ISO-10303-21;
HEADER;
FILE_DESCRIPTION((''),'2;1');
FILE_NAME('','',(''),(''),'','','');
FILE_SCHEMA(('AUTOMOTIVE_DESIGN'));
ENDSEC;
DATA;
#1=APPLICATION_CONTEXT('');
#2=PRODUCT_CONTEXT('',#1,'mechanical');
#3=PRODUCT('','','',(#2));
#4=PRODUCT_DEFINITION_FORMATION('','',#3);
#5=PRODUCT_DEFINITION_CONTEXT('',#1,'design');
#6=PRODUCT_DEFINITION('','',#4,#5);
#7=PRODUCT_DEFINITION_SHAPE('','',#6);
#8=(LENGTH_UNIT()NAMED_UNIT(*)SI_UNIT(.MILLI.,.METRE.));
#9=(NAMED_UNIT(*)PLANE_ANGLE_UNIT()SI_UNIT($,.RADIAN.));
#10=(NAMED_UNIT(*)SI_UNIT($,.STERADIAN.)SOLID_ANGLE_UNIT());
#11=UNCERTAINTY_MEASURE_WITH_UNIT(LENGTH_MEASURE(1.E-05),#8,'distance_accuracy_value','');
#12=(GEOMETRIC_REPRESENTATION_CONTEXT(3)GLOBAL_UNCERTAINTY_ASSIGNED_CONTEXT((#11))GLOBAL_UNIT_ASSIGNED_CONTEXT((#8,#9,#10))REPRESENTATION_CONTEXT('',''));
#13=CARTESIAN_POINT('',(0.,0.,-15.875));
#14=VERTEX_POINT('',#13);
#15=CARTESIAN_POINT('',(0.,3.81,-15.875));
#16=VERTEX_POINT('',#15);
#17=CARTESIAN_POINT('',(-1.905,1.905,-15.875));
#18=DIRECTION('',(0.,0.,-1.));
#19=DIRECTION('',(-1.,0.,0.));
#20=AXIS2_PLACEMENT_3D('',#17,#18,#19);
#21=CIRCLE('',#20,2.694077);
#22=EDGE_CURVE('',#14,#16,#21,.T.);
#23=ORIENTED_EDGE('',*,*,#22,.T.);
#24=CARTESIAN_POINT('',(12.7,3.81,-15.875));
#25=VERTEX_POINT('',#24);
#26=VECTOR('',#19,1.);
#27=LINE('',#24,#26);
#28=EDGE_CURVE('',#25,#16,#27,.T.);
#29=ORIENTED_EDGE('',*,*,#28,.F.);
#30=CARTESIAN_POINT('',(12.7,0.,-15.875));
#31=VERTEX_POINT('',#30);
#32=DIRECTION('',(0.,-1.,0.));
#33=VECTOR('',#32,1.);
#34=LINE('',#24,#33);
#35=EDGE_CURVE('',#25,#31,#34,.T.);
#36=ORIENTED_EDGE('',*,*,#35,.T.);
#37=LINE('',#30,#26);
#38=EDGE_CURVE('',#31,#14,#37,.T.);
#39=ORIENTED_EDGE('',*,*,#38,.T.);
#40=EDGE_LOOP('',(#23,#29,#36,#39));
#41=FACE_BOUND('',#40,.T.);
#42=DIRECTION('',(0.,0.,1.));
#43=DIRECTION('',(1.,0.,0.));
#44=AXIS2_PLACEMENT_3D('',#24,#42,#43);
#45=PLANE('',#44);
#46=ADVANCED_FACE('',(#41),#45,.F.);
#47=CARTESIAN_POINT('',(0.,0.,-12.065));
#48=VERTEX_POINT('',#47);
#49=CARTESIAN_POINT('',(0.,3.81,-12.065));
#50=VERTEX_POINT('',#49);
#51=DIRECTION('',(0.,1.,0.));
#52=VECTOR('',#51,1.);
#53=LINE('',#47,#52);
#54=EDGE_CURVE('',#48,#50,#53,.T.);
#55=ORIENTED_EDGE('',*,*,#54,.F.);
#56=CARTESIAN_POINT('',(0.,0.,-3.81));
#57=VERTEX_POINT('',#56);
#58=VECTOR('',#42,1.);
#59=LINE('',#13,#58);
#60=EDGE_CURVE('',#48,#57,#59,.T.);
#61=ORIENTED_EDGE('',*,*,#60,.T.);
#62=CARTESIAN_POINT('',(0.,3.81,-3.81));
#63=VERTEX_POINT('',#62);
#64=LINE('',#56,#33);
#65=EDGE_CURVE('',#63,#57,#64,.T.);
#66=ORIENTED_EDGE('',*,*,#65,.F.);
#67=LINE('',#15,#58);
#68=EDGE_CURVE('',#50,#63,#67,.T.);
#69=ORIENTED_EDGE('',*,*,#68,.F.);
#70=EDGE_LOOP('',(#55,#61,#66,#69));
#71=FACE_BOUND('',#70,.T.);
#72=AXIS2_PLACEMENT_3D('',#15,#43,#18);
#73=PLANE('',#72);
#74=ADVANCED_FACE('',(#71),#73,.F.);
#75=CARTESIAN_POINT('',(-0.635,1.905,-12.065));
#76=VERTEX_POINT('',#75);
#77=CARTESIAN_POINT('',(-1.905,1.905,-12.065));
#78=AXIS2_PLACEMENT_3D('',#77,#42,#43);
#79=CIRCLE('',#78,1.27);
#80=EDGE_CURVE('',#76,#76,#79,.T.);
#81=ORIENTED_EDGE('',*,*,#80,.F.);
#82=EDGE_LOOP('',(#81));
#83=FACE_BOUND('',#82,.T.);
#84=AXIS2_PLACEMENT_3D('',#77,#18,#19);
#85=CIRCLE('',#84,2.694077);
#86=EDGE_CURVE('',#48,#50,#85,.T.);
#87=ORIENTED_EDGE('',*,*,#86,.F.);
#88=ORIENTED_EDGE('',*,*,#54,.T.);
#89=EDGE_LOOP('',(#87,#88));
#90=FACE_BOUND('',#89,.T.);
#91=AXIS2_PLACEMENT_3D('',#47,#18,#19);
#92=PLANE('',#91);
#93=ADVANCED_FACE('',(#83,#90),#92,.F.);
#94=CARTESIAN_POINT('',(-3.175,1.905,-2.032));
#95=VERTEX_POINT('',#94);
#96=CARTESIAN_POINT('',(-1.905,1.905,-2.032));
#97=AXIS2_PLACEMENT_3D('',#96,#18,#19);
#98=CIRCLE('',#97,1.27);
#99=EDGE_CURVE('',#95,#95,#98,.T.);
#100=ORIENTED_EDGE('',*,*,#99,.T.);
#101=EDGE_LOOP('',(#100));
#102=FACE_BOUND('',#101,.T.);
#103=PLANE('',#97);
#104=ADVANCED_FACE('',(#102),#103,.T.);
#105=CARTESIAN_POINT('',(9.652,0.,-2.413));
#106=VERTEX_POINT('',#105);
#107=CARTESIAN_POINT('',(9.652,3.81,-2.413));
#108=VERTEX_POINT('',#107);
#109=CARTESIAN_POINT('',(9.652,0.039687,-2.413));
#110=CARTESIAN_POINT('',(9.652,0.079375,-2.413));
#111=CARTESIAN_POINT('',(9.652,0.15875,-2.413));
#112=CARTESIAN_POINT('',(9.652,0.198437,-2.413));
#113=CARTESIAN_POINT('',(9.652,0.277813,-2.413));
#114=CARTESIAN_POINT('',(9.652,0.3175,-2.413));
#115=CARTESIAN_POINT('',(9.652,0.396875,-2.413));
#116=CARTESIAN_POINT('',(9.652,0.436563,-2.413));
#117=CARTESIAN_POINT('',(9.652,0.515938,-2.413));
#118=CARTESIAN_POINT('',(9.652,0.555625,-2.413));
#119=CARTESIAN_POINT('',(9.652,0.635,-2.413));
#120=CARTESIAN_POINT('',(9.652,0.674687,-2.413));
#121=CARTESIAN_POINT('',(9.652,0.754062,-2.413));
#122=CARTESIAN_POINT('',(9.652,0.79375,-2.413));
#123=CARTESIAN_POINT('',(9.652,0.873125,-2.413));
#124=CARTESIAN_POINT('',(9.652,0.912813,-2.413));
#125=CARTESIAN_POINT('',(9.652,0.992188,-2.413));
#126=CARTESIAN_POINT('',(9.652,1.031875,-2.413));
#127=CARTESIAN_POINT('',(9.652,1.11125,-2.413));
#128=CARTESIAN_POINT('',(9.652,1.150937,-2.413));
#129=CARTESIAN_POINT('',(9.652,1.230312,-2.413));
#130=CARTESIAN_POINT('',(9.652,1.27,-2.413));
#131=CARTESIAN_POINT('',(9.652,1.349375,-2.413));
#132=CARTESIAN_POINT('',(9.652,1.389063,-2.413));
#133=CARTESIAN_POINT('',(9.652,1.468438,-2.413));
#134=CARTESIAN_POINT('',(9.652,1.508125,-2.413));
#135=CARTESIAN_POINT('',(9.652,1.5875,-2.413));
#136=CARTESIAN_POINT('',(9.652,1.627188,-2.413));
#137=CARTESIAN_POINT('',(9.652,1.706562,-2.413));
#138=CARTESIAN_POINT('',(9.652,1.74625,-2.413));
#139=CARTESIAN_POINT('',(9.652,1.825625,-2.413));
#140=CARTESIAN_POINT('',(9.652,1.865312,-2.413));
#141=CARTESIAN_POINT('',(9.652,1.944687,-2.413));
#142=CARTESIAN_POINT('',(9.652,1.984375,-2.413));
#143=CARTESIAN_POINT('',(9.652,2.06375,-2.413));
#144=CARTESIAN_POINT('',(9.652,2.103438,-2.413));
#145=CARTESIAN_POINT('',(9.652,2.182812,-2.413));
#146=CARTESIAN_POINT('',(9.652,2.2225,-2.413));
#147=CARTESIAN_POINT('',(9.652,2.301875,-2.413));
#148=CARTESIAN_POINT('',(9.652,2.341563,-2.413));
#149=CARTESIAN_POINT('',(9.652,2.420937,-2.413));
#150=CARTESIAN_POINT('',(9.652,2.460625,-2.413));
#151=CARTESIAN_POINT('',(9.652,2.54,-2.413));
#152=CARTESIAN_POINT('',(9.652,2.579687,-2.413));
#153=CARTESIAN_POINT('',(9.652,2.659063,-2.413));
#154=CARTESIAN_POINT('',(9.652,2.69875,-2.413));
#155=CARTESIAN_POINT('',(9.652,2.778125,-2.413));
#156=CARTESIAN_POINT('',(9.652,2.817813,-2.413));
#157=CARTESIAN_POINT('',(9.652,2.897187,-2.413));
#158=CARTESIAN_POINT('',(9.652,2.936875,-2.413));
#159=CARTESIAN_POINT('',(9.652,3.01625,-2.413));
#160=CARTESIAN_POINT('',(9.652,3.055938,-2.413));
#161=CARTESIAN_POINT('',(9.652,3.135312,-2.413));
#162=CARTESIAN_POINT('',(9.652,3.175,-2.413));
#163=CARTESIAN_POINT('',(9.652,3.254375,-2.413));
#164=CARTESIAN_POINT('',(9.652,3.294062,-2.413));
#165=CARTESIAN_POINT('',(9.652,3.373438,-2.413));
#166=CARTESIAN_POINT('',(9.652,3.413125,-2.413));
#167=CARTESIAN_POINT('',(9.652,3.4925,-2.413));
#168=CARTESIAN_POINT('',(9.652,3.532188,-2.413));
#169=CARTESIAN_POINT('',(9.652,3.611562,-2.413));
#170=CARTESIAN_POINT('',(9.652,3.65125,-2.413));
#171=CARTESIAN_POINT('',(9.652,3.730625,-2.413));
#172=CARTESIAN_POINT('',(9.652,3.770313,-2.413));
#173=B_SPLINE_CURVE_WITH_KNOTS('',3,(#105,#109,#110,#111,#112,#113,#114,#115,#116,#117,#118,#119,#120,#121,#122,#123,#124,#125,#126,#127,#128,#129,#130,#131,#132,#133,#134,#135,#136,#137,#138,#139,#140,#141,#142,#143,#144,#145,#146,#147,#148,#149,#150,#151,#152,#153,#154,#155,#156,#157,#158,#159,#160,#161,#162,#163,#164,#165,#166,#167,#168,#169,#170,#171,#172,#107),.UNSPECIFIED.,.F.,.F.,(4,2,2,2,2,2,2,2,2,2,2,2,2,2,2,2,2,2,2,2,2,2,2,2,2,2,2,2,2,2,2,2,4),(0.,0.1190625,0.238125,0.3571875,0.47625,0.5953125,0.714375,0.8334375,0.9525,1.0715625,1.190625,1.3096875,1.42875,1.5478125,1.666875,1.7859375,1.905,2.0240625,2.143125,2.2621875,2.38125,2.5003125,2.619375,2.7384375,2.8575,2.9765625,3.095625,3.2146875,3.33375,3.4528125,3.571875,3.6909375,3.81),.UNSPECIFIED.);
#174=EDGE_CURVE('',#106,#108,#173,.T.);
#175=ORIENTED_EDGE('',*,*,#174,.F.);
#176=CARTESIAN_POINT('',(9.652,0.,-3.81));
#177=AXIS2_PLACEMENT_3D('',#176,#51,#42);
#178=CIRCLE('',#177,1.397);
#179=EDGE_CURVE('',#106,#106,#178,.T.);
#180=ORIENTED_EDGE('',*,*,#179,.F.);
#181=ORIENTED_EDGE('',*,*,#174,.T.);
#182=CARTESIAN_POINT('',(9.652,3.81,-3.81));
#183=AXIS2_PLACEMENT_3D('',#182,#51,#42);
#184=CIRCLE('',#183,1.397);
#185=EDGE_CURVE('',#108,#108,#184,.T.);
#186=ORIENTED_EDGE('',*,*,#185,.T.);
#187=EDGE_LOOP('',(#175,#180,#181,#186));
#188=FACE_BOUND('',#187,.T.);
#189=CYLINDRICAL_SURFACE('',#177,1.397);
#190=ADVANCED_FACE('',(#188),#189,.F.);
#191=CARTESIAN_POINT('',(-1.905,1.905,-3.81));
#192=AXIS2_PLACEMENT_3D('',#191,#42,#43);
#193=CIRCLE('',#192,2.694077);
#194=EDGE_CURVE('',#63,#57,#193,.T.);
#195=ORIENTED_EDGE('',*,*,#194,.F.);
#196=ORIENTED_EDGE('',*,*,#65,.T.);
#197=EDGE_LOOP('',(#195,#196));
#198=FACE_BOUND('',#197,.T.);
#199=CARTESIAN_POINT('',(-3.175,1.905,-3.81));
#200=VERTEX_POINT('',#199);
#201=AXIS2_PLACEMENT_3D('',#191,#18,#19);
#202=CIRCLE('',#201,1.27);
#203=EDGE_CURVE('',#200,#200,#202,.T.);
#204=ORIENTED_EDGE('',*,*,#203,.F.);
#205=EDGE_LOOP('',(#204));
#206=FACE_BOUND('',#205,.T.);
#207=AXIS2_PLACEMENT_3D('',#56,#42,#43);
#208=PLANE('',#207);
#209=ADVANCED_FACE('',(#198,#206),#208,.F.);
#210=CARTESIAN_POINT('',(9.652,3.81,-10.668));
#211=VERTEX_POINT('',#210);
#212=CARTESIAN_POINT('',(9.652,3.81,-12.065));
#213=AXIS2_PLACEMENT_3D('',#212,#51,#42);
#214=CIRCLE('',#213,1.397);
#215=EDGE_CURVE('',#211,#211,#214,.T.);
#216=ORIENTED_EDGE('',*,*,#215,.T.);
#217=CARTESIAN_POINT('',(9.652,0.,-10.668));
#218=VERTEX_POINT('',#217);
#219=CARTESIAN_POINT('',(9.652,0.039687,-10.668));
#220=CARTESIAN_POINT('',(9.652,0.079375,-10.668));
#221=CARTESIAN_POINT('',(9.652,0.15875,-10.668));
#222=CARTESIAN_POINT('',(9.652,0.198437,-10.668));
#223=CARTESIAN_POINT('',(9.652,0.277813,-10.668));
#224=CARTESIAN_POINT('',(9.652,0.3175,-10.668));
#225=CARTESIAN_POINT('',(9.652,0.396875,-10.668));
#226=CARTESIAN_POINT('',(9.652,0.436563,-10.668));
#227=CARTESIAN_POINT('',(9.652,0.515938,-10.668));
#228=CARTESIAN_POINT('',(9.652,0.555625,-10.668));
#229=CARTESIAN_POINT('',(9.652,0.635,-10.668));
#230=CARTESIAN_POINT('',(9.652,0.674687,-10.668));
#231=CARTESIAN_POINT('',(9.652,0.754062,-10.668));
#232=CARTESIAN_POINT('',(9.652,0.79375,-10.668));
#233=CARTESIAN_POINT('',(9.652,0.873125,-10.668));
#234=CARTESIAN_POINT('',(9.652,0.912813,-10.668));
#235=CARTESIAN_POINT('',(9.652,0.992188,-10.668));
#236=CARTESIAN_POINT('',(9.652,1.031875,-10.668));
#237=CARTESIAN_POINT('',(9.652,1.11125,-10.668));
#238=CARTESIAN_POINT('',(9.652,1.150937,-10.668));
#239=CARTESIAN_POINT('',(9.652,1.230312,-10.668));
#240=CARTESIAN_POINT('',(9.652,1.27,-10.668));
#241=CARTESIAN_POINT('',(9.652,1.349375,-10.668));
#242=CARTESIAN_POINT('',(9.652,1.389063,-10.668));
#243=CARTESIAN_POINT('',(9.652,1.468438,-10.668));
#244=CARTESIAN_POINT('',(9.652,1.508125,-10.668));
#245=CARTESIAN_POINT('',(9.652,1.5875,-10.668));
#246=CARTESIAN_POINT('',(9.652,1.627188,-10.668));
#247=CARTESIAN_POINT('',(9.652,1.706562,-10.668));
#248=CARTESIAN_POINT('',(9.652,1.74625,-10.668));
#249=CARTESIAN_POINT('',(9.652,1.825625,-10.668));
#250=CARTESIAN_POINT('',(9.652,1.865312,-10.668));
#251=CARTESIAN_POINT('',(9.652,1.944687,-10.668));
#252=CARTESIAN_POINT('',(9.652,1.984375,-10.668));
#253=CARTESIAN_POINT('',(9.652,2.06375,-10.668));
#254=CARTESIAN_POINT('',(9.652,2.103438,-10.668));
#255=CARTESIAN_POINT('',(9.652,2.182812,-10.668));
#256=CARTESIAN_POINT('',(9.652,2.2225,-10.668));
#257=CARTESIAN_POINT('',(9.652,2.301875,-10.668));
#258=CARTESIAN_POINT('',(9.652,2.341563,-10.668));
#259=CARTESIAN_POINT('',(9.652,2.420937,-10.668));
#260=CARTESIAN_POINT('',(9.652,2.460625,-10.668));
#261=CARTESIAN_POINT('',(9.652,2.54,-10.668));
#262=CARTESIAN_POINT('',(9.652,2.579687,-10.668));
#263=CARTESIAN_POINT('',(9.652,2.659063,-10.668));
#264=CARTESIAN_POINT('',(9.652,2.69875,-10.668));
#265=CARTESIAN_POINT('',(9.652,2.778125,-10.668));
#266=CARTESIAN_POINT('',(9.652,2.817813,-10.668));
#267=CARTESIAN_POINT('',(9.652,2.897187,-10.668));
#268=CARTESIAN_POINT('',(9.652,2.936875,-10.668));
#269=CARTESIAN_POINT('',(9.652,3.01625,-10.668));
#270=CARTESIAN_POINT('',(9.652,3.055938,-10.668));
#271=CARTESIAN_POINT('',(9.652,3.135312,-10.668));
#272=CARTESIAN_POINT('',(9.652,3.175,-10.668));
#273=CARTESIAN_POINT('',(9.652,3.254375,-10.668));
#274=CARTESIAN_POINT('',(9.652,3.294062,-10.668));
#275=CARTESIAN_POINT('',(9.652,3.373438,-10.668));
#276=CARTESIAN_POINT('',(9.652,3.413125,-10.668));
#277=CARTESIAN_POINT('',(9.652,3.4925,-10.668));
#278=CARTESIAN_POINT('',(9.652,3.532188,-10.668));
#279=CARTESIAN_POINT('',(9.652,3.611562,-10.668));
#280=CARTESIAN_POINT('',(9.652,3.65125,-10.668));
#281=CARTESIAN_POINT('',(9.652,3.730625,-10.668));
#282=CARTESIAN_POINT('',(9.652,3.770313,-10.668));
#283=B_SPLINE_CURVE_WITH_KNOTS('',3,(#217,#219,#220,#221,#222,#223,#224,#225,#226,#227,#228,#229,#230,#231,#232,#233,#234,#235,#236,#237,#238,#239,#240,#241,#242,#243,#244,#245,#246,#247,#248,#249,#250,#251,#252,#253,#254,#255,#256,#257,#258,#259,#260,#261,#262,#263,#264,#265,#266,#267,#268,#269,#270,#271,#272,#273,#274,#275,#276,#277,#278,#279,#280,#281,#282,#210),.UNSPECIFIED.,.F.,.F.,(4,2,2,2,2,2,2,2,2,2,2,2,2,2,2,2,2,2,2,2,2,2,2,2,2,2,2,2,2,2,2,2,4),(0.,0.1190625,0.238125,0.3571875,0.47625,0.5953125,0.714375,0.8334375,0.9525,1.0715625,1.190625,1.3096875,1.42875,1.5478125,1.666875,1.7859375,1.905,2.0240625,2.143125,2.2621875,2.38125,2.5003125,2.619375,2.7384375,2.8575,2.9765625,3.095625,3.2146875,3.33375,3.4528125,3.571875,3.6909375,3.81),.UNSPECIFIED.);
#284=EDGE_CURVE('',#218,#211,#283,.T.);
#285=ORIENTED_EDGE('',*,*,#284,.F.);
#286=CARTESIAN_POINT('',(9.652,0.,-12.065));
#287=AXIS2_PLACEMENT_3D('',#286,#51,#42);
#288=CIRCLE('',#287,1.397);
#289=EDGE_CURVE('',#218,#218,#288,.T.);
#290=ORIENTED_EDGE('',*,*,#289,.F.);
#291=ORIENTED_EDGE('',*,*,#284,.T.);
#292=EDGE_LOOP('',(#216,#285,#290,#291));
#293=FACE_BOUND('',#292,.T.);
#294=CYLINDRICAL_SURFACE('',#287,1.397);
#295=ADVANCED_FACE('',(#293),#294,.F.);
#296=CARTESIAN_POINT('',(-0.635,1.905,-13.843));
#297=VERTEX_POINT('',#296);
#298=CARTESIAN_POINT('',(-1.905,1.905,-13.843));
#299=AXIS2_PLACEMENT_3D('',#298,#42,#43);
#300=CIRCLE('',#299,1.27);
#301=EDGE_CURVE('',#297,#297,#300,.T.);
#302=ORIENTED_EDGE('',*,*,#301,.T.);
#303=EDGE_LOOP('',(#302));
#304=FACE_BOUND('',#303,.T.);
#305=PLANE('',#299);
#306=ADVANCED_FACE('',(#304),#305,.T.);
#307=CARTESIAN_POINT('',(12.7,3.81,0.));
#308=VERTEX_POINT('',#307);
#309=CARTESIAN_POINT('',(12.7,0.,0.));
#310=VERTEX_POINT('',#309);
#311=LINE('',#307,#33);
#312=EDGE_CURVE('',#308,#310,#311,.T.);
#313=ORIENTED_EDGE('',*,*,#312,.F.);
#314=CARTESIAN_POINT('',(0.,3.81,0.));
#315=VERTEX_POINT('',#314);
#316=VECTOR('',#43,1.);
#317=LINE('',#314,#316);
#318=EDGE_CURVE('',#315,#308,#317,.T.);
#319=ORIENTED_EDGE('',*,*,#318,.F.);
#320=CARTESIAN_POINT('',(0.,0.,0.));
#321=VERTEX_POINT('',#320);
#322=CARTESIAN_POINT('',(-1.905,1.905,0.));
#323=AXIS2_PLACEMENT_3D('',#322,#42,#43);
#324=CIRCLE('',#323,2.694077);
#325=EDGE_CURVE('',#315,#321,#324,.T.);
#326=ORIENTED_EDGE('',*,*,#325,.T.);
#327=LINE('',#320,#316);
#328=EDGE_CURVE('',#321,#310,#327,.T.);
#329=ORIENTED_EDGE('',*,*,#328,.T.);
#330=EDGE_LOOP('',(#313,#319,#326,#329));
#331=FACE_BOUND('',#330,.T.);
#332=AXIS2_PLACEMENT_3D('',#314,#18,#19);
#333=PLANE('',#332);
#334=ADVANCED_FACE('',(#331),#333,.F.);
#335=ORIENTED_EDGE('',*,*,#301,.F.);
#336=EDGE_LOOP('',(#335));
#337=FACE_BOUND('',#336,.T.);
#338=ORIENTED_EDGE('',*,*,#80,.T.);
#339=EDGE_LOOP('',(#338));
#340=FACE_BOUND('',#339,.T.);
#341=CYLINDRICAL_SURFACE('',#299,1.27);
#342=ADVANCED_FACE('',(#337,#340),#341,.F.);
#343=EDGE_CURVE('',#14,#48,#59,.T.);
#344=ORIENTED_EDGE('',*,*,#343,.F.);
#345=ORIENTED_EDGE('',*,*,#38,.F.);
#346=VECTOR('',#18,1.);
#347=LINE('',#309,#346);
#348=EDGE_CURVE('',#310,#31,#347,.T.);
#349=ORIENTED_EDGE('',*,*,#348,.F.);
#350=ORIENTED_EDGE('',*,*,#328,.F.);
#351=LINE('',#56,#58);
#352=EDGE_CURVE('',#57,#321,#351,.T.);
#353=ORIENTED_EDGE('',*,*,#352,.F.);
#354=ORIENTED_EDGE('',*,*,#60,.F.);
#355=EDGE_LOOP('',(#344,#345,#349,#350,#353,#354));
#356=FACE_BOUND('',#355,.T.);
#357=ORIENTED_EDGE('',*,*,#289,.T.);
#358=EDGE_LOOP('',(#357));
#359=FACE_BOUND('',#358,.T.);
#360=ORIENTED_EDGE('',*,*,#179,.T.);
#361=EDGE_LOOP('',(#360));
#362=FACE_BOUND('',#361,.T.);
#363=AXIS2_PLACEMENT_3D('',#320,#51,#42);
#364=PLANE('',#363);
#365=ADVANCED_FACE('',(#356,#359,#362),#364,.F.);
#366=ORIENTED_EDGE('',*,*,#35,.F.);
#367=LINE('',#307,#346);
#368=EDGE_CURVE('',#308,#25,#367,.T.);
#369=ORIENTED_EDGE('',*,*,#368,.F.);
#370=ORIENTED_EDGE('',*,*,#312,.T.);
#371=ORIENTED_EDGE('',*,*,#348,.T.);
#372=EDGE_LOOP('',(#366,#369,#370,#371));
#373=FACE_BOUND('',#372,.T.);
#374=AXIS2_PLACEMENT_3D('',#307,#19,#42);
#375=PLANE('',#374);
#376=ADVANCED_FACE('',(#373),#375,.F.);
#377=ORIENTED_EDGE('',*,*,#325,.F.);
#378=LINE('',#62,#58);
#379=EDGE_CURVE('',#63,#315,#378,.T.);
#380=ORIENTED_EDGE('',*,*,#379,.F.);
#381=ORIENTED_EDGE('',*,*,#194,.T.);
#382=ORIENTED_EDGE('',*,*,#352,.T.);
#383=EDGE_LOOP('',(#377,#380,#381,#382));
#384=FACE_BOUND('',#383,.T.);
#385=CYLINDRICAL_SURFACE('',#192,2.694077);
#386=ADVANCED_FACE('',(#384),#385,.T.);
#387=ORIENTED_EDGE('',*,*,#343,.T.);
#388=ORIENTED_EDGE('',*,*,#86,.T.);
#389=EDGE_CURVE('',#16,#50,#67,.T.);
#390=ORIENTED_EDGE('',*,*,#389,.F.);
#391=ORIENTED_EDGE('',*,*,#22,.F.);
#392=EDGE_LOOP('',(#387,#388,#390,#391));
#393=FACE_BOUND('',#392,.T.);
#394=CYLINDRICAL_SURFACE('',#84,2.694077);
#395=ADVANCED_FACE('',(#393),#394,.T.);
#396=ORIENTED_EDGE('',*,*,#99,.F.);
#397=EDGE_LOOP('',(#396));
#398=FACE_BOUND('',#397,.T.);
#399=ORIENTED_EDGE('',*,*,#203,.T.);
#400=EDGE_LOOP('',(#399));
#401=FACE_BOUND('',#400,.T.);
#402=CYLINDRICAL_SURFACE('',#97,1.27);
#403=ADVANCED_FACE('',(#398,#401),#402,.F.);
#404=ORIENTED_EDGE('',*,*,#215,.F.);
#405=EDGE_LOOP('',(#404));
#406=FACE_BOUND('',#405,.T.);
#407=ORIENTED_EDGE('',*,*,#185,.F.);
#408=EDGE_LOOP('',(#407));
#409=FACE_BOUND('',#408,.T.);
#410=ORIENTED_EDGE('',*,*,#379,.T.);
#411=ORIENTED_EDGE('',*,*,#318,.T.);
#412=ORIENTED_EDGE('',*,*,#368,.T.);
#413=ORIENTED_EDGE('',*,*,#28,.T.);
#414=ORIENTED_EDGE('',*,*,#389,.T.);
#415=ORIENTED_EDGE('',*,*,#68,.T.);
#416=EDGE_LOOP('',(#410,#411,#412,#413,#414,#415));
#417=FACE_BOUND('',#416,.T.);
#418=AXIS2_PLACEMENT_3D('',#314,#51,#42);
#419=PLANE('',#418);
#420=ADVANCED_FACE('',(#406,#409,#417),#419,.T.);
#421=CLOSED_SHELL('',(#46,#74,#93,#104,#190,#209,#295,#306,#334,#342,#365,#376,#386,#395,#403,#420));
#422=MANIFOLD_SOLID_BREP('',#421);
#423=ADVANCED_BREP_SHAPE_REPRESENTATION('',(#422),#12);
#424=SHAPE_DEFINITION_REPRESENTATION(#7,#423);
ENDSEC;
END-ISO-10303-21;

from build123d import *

# Parameters (mm, degrees)
SKETCH2_W           = 12.7
SKETCH2_H           = 15.875
BOSS_EXTRUDE1_DEPTH = 3.81
SKETCH3_R           = 1.397
CUT_EXTRUDE1_DEPTH  = 3.81
SKETCH6_R           = 2.694076836
BOSS_EXTRUDE2_DEPTH = 3.81
SKETCH8_R           = 1.27
CUT_EXTRUDE3_DEPTH  = 1.778
BOSS_EXTRUDE3_START = -3.81
SKETCH9_R           = 2.694076836
BOSS_EXTRUDE3_DEPTH = 3.81
CUT_EXTRUDE4_START  = -1.778
SKETCH10_R          = 1.27
CUT_EXTRUDE4_DEPTH  = 1.778


with BuildPart() as part:
    # Sketch2 → Boss-Extrude1 (new body)
    with BuildSketch(Plane(origin=(0, 0, 0), x_dir=(1, 0, 0), z_dir=(0, 1, 0))):
        with Locations((6.35, 7.9375)):
            Rectangle(SKETCH2_W, SKETCH2_H)
    extrude(amount=BOSS_EXTRUDE1_DEPTH)

    # Sketch3 → Cut-Extrude1 (cut)
    with BuildSketch(Plane(origin=(0, 3.81, 0), x_dir=(1, 0, 0), z_dir=(0, 1, 0))):
        with Locations(Location((9.652, 3.81, 0), (0, 0, 270))):
            Circle(SKETCH3_R)
        with Locations(Location((9.652, 12.065, 0), (0, 0, 270))):
            Circle(SKETCH3_R)
    extrude(amount=-CUT_EXTRUDE1_DEPTH, mode=Mode.SUBTRACT)

    # Sketch6 → Boss-Extrude2 (add)
    with BuildSketch(Plane.XY):
        with Locations((-1.905, 1.905)):
            Circle(SKETCH6_R)
    extrude(amount=-BOSS_EXTRUDE2_DEPTH)

    # Sketch8 → Cut-Extrude3 (cut)
    with BuildSketch(Plane(origin=(0, 0, -3.81), x_dir=(-1, 0, 0), z_dir=(0, 0, -1))):
        with Locations((1.905, 1.905)):
            Circle(SKETCH8_R)
    extrude(amount=-CUT_EXTRUDE3_DEPTH, mode=Mode.SUBTRACT)

    # Sketch9 → Boss-Extrude3 (add)
    with BuildSketch(Plane(origin=(0, 0, -15.875), x_dir=(-1, 0, 0), z_dir=(0, 0, -1)).offset(BOSS_EXTRUDE3_START)):
        with Locations((1.905, 1.905)):
            Circle(SKETCH9_R)
    extrude(amount=BOSS_EXTRUDE3_DEPTH)

    # Sketch10 → Cut-Extrude4 (cut)
    with BuildSketch(Plane.XY.offset(-12.065).offset(CUT_EXTRUDE4_START)):
        with Locations(Location((-1.905, 1.905, 0), (0, 0, 180))):
            Circle(SKETCH10_R)
    extrude(amount=CUT_EXTRUDE4_DEPTH, mode=Mode.SUBTRACT)


solid = part.part
